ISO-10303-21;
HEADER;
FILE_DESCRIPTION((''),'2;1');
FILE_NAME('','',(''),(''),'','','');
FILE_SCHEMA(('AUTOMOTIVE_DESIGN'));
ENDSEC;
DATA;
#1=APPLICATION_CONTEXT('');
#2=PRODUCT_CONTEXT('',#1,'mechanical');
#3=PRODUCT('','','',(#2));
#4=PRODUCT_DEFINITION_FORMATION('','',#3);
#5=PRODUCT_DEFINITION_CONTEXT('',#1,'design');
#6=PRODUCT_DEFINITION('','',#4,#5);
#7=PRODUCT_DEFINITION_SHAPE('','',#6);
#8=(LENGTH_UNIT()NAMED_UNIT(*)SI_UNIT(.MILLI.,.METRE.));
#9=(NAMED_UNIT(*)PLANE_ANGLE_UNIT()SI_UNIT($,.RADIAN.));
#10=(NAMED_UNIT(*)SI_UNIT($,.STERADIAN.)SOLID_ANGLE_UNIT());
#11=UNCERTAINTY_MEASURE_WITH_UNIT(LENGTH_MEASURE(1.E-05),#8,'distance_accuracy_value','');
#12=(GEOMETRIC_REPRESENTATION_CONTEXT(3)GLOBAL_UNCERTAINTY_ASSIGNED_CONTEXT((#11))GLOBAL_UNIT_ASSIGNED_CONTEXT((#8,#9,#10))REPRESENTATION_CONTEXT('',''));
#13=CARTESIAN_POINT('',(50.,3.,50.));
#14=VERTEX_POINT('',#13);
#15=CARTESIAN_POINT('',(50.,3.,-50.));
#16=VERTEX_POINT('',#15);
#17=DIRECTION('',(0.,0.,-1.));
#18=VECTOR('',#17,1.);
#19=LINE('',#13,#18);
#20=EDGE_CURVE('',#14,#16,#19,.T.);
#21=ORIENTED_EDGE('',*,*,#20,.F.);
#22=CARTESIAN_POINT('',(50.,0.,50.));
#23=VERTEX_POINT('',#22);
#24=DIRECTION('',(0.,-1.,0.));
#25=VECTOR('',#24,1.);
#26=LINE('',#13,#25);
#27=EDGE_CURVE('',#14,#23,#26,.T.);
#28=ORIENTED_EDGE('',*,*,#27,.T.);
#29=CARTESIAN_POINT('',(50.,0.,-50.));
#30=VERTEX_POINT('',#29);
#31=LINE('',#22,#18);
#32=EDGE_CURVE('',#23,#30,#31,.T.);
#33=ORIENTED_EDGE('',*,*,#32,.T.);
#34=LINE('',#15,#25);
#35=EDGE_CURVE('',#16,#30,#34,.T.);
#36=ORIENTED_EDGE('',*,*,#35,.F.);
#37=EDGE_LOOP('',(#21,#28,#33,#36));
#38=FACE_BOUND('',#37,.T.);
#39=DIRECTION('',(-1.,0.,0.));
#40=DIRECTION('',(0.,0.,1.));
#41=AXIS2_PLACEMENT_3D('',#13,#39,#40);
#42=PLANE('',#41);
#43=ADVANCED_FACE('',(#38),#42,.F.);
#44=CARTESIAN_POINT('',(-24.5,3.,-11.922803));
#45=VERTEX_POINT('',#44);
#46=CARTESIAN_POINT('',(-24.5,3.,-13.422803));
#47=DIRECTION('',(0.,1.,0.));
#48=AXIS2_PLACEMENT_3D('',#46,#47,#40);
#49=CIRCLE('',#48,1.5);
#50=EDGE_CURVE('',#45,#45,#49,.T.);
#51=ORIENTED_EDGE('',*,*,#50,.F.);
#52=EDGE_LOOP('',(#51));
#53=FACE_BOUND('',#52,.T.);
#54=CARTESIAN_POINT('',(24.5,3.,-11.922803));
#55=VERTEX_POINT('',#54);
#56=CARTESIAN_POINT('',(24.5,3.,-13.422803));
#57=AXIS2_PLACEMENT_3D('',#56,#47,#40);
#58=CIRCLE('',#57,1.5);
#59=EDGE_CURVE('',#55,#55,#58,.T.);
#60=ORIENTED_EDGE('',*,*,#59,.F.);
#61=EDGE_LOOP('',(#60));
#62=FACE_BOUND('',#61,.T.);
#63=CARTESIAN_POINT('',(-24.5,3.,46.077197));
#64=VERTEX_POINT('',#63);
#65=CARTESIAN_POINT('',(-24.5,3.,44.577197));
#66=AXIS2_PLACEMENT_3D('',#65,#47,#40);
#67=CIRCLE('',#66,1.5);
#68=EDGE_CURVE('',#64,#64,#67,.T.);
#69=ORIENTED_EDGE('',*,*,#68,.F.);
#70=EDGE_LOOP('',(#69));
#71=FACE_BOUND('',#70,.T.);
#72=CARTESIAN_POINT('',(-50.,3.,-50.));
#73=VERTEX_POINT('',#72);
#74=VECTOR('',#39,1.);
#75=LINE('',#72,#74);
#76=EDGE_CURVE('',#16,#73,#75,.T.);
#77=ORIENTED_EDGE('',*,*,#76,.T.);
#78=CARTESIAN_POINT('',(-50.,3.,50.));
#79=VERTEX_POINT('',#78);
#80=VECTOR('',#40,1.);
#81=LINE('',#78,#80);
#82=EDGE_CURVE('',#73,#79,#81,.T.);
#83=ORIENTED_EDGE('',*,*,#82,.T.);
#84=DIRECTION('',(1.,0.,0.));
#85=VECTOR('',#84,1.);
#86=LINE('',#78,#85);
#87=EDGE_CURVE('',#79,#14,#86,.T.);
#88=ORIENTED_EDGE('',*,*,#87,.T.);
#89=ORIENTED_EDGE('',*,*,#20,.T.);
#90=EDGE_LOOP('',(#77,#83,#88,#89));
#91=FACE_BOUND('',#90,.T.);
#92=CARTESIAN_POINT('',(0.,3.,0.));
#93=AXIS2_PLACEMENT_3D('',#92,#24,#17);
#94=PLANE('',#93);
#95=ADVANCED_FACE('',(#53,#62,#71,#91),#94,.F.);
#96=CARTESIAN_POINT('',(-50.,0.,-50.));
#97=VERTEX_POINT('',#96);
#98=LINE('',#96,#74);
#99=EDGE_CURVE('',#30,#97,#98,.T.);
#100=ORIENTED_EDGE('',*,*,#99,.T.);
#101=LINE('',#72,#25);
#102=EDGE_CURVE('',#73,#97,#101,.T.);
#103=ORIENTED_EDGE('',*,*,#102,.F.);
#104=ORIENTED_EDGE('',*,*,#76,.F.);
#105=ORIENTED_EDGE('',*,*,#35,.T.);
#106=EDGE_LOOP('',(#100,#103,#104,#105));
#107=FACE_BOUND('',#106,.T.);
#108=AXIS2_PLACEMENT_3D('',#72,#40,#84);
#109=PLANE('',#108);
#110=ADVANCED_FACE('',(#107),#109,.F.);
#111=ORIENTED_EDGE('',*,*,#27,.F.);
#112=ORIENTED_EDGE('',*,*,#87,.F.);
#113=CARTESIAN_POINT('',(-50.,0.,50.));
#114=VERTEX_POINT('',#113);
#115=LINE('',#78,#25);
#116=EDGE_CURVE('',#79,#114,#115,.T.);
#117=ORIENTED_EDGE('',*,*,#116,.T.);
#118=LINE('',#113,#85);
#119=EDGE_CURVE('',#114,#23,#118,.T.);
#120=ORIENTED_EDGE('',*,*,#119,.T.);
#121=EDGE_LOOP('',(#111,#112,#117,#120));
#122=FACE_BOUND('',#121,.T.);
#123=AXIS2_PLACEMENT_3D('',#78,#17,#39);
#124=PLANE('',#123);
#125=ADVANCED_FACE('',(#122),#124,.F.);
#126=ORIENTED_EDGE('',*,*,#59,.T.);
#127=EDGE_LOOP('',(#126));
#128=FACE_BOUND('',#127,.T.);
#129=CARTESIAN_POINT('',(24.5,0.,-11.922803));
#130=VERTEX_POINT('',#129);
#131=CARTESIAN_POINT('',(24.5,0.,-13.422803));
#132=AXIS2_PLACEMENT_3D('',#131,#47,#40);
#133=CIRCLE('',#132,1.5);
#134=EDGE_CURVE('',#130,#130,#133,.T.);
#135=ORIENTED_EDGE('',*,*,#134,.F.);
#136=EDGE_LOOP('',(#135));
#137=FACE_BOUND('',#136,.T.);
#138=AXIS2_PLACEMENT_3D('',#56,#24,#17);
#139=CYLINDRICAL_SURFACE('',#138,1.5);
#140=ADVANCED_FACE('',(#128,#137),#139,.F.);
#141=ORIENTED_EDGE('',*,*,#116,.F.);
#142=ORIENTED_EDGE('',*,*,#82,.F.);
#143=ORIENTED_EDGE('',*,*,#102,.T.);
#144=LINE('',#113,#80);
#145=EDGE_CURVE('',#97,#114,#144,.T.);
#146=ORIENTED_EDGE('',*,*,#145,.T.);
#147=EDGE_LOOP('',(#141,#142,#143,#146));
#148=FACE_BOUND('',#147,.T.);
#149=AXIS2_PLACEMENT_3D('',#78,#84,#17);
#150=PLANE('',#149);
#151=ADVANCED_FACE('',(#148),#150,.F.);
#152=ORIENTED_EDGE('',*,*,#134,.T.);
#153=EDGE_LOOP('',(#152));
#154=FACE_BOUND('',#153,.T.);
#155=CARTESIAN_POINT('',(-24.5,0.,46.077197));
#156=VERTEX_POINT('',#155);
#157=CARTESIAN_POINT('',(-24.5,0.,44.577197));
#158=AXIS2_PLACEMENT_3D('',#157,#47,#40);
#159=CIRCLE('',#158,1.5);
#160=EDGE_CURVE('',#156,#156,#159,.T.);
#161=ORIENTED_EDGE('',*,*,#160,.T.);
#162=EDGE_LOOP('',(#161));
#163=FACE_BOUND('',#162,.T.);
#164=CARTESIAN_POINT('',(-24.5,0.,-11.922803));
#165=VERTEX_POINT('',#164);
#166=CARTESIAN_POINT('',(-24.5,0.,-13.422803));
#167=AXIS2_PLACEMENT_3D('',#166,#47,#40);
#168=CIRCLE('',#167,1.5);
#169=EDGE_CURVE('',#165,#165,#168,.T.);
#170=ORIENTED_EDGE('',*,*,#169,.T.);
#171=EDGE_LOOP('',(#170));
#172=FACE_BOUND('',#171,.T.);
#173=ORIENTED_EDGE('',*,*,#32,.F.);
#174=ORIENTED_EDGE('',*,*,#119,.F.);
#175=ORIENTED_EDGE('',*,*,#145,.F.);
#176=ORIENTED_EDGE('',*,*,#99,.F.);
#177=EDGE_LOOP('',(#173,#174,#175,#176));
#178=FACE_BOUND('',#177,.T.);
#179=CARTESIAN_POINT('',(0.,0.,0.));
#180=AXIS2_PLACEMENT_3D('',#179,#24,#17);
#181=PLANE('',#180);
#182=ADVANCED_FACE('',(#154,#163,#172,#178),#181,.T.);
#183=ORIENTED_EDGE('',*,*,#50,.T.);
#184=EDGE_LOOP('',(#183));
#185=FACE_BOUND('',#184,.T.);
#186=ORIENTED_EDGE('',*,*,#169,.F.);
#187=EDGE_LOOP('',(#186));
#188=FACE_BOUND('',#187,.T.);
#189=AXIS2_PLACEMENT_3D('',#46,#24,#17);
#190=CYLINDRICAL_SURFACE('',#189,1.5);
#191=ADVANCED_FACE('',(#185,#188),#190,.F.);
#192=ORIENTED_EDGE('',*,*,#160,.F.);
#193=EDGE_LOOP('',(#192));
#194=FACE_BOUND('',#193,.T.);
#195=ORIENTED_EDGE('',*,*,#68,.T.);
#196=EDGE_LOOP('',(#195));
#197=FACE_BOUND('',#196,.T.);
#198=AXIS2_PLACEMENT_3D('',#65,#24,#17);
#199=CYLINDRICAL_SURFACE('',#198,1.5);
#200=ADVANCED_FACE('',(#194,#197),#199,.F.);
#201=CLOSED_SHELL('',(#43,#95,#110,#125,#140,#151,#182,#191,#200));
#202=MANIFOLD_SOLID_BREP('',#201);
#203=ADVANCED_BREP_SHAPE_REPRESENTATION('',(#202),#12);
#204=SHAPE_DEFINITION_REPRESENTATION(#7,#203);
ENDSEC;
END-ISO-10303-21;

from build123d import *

# Parameters (mm, degrees)
CROQUIS1_W              = 100
CROQUIS1_H              = 100
CROQUIS1_R              = 1.5
SALIENTE_EXTRUIR1_DEPTH = 3


with BuildPart() as part:
    # Croquis1 → Saliente-Extruir1 (new body)
    with BuildSketch(Plane(origin=(0, 0, 0), x_dir=(1, 0, 0), z_dir=(0, 1, 0))):
        Rectangle(CROQUIS1_W, CROQUIS1_H)
        with Locations(Location((-24.5, 13.422802508, 0), (0, 0, 270))):
            Circle(CROQUIS1_R, mode=Mode.SUBTRACT)
        with Locations(Location((24.5, 13.422802508, 0), (0, 0, 270))):
            Circle(CROQUIS1_R, mode=Mode.SUBTRACT)
        with Locations(Location((-24.5, -44.577197492, 0), (0, 0, 270))):
            Circle(CROQUIS1_R, mode=Mode.SUBTRACT)
    extrude(amount=SALIENTE_EXTRUIR1_DEPTH)


solid = part.part
